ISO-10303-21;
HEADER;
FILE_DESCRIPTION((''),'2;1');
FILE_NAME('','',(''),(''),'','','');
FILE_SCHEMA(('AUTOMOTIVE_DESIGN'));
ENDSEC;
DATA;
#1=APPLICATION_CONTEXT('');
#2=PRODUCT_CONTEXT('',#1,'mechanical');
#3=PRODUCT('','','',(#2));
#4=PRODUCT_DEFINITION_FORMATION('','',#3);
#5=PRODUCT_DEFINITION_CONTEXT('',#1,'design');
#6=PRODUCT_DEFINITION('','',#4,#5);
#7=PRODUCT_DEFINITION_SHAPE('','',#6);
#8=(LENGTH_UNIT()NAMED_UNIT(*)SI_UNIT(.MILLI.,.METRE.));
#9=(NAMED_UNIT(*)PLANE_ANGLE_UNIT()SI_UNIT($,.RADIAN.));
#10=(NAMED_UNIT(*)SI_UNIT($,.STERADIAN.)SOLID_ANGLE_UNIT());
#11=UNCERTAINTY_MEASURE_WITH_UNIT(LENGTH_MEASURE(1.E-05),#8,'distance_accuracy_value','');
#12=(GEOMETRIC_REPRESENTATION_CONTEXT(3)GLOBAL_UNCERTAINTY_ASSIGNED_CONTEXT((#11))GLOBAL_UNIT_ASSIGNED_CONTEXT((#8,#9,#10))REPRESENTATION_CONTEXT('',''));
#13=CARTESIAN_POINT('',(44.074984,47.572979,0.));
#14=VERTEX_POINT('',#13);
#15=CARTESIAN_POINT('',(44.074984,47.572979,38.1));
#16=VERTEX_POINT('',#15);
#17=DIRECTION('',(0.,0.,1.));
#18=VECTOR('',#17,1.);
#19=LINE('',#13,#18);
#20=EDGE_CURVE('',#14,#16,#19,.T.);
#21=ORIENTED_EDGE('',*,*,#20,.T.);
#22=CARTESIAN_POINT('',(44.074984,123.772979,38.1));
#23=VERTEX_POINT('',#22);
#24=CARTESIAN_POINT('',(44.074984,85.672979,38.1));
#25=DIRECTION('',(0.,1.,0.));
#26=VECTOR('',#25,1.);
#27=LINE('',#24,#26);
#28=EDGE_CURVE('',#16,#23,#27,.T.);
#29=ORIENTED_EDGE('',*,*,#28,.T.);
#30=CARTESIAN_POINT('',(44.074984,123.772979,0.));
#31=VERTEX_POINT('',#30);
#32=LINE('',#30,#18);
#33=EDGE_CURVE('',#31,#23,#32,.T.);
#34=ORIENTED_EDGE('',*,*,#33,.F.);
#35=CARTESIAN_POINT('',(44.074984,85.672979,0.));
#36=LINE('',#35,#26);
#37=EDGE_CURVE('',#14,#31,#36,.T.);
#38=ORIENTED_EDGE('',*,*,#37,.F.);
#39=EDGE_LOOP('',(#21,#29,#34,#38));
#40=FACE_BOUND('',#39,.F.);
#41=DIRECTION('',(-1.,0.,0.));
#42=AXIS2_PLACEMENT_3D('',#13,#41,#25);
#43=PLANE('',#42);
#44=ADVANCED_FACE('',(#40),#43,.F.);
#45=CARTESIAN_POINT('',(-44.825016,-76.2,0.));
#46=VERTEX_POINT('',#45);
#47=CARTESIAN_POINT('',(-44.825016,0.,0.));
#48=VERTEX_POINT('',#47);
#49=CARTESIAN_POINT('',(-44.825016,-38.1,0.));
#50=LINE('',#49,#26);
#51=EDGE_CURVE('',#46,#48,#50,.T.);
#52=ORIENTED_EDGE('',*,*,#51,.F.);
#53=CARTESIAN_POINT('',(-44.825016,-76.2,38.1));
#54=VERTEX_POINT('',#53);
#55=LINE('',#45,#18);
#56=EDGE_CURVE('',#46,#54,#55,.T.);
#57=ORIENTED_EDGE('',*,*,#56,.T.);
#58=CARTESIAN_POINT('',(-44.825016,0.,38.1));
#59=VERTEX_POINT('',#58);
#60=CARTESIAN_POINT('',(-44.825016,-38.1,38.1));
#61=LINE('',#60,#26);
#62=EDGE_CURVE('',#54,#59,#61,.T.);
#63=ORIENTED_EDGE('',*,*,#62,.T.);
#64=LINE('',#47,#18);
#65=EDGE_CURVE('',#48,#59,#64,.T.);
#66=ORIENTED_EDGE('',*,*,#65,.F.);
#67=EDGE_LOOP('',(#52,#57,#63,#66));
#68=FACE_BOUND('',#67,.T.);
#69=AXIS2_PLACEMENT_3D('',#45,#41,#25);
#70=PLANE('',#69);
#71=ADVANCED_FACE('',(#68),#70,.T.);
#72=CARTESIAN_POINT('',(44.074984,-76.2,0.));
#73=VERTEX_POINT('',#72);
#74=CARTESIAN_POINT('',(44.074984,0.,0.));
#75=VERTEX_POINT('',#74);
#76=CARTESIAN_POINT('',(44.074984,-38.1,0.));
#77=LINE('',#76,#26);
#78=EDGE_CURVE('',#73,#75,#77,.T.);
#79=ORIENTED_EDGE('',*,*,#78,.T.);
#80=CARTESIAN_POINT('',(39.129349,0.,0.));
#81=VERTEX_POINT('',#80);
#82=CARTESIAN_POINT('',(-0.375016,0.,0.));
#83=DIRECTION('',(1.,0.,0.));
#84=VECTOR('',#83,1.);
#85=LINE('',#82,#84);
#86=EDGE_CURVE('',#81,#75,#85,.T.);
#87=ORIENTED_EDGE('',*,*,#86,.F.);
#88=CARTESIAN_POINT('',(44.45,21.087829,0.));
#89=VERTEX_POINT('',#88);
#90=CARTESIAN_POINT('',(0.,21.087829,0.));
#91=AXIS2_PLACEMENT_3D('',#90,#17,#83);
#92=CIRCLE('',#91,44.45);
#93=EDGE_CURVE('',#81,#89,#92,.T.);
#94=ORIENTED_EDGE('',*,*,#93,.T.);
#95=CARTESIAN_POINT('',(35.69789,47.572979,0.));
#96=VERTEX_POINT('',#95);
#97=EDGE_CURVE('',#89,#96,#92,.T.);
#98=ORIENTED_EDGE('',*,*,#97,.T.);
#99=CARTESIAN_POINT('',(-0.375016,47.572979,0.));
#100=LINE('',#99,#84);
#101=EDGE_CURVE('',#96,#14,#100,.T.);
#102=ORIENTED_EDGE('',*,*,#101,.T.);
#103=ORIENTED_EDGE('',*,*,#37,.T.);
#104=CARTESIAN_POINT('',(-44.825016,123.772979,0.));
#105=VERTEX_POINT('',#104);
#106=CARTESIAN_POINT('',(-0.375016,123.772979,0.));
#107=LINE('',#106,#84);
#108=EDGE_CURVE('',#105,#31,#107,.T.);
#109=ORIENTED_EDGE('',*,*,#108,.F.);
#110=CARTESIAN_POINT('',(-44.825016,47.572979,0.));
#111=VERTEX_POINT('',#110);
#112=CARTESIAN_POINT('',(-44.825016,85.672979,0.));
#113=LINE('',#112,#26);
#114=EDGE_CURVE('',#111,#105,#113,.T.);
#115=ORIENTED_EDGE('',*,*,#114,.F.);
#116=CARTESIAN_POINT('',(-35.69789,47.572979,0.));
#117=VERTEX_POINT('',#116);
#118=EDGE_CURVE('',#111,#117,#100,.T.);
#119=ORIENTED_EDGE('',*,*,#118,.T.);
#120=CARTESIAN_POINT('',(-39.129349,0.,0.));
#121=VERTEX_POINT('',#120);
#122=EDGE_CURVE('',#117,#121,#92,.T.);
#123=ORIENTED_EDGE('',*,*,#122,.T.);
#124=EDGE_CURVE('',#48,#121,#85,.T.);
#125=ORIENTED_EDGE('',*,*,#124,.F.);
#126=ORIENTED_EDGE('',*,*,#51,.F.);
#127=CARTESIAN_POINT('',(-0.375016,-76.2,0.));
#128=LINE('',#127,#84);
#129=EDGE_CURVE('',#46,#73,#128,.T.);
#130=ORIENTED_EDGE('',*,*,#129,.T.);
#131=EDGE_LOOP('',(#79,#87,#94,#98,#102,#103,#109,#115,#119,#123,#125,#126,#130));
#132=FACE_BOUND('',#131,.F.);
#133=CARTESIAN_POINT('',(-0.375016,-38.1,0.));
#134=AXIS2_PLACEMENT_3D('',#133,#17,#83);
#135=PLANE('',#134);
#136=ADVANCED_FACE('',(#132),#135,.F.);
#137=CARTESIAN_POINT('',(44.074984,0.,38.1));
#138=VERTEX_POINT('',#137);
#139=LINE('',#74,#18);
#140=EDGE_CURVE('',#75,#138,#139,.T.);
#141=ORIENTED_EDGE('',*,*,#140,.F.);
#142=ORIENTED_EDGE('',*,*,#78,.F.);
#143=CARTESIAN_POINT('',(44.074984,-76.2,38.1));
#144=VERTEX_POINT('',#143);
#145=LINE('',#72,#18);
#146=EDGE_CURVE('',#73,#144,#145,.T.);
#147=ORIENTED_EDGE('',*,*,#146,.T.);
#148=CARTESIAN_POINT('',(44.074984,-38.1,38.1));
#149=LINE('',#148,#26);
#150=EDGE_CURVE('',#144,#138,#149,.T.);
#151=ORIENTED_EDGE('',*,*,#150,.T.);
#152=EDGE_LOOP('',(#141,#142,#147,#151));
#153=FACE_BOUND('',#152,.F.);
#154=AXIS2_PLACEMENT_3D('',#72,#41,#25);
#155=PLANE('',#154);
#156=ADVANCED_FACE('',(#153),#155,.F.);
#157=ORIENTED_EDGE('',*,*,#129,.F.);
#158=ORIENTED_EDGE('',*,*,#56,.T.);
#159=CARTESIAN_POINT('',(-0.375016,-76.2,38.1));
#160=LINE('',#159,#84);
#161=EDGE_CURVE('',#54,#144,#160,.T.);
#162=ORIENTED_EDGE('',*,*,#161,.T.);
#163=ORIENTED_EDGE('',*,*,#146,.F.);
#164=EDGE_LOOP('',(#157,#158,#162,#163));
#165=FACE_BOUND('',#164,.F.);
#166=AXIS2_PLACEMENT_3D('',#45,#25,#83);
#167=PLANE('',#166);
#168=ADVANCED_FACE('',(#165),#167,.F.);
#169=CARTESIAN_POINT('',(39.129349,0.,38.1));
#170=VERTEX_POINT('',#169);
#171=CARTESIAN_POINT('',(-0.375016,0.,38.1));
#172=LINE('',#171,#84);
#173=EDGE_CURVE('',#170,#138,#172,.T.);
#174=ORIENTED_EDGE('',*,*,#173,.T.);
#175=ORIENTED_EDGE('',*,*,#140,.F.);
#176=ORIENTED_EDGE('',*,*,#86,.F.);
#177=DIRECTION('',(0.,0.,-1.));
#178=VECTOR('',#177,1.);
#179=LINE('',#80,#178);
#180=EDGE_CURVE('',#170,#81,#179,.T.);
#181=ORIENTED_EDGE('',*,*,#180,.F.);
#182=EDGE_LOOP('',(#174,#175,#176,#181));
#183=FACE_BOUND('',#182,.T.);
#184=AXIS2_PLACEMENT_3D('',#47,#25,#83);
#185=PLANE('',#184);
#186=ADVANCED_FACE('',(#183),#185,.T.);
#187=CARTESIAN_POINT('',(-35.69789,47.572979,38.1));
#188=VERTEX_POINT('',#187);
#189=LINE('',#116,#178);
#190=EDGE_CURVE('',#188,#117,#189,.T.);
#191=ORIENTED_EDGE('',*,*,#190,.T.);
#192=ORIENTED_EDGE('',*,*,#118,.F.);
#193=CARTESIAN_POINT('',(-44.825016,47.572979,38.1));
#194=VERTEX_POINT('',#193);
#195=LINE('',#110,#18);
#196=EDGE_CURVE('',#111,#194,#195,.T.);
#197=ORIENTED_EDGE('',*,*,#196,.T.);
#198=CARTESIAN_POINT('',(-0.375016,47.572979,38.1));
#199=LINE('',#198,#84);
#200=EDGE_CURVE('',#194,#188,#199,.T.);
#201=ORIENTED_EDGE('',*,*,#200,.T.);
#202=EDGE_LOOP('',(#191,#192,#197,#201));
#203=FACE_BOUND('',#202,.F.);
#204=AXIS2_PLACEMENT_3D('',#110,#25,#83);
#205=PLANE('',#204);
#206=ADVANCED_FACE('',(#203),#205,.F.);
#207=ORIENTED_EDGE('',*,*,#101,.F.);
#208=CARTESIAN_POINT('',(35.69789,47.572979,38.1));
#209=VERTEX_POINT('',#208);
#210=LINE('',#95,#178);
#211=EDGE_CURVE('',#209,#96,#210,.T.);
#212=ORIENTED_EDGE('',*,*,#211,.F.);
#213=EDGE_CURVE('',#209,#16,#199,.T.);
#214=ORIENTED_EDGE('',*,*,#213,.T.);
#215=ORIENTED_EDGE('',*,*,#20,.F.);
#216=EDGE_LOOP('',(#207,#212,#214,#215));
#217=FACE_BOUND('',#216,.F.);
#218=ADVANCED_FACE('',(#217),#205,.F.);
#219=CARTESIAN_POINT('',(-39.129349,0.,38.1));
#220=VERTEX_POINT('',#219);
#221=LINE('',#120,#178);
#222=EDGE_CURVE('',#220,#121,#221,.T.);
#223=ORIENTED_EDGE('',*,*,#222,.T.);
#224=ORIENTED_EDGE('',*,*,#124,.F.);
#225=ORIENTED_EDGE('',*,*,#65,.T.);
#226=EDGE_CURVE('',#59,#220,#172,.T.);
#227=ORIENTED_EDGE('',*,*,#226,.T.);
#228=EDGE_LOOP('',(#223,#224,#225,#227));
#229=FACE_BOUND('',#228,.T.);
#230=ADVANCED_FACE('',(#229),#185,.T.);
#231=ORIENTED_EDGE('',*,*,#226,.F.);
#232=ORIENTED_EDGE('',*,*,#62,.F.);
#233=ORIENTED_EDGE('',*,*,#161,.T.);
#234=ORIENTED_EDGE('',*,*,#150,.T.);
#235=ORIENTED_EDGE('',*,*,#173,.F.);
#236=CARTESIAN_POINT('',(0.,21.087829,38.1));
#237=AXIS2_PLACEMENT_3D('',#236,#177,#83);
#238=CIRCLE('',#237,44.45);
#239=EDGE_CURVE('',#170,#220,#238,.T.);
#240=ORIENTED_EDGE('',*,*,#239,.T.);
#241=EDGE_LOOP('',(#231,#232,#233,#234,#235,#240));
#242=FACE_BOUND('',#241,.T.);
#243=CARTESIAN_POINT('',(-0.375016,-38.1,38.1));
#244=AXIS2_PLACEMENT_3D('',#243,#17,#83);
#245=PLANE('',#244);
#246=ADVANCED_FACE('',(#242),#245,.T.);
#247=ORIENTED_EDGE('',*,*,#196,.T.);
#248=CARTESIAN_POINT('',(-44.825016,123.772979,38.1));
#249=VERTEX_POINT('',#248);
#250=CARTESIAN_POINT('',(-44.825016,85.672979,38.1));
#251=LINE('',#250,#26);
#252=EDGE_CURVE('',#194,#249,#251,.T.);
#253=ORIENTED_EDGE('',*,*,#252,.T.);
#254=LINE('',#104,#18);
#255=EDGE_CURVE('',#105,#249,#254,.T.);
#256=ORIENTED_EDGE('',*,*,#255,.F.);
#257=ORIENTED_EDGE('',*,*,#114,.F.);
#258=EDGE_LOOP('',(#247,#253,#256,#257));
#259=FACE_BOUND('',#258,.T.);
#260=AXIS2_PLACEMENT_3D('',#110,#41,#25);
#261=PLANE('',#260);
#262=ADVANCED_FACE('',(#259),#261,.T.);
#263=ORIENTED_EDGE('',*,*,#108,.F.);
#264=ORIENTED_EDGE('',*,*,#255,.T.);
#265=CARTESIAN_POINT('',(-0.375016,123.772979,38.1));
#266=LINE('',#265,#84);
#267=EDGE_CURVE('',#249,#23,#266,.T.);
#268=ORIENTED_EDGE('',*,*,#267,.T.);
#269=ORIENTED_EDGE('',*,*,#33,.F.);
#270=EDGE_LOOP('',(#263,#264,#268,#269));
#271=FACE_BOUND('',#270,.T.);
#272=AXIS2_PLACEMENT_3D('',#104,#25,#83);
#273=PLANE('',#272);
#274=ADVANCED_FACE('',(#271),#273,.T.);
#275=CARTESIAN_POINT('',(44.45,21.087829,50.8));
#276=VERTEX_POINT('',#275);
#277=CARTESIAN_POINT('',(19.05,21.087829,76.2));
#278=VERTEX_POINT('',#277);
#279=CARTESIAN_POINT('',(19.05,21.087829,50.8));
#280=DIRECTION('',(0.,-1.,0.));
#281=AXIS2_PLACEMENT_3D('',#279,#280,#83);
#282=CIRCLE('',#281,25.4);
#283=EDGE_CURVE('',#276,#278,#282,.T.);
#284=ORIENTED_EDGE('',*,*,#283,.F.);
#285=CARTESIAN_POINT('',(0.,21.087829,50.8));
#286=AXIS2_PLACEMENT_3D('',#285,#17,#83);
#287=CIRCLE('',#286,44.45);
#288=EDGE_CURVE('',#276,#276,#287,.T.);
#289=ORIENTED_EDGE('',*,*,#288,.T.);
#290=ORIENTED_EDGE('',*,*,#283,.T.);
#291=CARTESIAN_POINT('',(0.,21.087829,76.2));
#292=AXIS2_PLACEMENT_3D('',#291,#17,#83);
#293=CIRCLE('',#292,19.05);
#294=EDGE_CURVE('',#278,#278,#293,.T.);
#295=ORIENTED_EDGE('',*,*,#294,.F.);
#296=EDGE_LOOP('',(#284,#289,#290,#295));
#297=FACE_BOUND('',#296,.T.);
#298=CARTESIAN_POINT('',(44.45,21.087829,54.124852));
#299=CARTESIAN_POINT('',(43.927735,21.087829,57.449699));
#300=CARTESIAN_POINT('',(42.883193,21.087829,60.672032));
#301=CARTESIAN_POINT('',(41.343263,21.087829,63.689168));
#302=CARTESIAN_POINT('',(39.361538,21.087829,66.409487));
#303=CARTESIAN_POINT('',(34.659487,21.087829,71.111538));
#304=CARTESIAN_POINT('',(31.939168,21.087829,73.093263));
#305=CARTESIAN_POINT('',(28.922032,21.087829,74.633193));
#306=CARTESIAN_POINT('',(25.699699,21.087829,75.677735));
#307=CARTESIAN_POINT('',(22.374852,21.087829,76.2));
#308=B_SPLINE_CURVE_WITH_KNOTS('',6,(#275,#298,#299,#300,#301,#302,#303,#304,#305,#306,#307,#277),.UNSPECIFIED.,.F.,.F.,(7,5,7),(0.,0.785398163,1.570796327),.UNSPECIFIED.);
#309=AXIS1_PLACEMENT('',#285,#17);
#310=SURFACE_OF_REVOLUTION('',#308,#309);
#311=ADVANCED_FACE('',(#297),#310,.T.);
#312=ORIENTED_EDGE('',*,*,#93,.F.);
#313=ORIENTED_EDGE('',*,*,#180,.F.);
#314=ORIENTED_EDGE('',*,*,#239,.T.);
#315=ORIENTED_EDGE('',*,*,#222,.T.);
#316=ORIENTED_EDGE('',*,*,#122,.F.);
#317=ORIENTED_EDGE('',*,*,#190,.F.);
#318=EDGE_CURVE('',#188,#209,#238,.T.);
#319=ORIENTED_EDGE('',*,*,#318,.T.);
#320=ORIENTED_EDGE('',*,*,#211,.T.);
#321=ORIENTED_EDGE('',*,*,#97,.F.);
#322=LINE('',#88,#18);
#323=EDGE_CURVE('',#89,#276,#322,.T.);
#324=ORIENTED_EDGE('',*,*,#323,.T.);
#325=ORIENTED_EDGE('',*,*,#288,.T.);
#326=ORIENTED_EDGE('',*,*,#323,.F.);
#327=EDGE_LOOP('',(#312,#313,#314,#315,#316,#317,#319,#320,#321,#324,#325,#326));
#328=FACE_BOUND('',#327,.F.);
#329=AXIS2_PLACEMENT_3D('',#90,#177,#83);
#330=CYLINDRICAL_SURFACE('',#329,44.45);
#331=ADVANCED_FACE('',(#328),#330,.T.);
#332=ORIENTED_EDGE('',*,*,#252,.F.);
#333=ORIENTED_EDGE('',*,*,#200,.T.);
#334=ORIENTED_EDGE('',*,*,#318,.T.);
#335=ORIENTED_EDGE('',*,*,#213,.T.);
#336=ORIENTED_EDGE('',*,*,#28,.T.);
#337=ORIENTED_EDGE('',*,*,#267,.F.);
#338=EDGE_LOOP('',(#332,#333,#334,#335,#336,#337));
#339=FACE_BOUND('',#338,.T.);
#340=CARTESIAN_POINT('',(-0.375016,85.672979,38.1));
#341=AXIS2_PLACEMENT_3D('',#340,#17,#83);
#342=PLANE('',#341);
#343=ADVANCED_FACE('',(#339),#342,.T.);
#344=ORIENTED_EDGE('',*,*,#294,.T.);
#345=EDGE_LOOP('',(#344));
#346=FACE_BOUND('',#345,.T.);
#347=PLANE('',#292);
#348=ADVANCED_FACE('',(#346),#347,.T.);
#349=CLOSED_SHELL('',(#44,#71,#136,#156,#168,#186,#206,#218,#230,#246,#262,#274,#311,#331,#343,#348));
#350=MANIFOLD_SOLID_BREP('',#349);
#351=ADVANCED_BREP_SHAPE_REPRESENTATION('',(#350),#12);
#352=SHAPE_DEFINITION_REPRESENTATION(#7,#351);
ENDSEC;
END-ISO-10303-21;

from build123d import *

# Parameters (mm, degrees)
F0_R     = 44.45
F1_DEPTH = 76.2
F2_R     = 25.4
F3_W     = 88.9
F3_H     = 76.2
F4_DEPTH = 38.1


with BuildPart() as f1:
    # F0 (on Top) → F1 (new body)
    with BuildSketch(Plane.XY):
        with Locations((0, 21.087829)):
            Circle(F0_R)
    extrude(amount=F1_DEPTH)

    # F2
    f2_edges = [f1.edges().sort_by_distance(p)[0] for p in [
        (-44.45, 21.087829, 76.2),
    ]]
    fillet(f2_edges, radius=F2_R)

    # F3 (on Top) → F4 (join)
    with BuildSketch(Plane.XY):
        with Locations((-0.375016, -38.1)):
            Rectangle(F3_W, F3_H)
        with Locations((-0.375016, 85.672979)):
            Rectangle(F3_W, F3_H)
    extrude(amount=F4_DEPTH)


solid = f1.part
